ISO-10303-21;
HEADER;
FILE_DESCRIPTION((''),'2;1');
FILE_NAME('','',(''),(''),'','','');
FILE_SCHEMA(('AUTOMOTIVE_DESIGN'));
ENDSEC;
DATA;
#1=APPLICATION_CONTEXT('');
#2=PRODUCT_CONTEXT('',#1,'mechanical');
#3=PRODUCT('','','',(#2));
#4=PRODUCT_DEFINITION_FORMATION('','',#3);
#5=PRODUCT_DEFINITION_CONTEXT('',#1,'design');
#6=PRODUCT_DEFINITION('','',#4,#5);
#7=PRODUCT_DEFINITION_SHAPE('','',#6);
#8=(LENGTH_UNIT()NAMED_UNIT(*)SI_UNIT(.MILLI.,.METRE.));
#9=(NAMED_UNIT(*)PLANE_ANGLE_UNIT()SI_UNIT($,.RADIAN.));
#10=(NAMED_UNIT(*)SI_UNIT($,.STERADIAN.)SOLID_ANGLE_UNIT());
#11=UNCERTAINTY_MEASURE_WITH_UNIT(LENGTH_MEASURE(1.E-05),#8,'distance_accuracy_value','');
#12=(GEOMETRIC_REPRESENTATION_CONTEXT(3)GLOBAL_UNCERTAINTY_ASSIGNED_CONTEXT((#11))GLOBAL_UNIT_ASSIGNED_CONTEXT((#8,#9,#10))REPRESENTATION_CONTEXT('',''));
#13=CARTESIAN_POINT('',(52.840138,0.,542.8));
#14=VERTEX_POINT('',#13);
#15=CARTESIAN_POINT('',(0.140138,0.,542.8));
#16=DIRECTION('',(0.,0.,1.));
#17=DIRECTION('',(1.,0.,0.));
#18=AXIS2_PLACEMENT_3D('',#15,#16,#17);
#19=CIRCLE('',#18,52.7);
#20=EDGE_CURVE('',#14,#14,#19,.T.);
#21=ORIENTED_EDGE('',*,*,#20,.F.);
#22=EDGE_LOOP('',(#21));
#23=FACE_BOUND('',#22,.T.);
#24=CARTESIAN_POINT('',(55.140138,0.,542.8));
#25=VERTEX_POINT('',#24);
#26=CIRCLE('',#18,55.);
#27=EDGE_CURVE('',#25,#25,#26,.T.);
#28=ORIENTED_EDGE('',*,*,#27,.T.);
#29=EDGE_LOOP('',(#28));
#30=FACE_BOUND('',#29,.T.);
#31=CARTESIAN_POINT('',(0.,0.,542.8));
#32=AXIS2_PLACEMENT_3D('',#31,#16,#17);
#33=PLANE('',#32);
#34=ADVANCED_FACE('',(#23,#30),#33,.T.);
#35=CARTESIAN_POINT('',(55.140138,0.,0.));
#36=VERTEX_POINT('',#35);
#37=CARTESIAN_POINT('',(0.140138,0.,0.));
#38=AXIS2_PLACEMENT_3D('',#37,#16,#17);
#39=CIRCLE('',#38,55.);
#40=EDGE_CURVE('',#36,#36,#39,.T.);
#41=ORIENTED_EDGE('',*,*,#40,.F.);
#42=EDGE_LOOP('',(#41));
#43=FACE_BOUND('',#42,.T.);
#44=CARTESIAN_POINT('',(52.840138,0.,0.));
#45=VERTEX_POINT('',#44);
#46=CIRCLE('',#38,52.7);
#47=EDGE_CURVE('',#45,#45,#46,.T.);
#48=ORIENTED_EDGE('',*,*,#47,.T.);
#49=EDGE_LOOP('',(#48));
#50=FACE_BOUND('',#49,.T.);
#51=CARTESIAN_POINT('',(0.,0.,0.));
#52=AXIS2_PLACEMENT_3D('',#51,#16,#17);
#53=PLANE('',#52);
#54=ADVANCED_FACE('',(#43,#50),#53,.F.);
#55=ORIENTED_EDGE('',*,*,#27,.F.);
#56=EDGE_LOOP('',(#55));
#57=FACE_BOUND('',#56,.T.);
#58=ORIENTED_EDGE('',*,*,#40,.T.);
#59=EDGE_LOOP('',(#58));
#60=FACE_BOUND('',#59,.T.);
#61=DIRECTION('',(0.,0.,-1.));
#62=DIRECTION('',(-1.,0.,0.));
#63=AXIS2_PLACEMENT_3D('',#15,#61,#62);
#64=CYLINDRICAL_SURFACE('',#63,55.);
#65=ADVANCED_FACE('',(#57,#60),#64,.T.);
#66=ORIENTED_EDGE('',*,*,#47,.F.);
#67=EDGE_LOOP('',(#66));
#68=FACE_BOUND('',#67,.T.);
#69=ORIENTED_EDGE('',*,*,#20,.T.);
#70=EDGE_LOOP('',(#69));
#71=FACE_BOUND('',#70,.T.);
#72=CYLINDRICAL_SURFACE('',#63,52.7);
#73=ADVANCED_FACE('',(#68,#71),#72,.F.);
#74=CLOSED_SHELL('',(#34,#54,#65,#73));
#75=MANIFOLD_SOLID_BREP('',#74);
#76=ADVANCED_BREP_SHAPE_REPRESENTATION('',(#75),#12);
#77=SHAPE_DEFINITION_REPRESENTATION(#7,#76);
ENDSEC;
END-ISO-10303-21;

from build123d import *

# Parameters (mm, degrees)
SKETCH1_R        = 55
SKETCH1_R_2      = 52.7
EXTRUSION1_DEPTH = 542.8


with BuildPart() as part:
    # Sketch1 → Extrusion1 (new body)
    with BuildSketch(Plane.XY):
        with Locations((0.140137906, 0)):
            Circle(SKETCH1_R)
        with Locations((0.140137906, 0)):
            Circle(SKETCH1_R_2, mode=Mode.SUBTRACT)
    extrude(amount=EXTRUSION1_DEPTH)


solid = part.part
